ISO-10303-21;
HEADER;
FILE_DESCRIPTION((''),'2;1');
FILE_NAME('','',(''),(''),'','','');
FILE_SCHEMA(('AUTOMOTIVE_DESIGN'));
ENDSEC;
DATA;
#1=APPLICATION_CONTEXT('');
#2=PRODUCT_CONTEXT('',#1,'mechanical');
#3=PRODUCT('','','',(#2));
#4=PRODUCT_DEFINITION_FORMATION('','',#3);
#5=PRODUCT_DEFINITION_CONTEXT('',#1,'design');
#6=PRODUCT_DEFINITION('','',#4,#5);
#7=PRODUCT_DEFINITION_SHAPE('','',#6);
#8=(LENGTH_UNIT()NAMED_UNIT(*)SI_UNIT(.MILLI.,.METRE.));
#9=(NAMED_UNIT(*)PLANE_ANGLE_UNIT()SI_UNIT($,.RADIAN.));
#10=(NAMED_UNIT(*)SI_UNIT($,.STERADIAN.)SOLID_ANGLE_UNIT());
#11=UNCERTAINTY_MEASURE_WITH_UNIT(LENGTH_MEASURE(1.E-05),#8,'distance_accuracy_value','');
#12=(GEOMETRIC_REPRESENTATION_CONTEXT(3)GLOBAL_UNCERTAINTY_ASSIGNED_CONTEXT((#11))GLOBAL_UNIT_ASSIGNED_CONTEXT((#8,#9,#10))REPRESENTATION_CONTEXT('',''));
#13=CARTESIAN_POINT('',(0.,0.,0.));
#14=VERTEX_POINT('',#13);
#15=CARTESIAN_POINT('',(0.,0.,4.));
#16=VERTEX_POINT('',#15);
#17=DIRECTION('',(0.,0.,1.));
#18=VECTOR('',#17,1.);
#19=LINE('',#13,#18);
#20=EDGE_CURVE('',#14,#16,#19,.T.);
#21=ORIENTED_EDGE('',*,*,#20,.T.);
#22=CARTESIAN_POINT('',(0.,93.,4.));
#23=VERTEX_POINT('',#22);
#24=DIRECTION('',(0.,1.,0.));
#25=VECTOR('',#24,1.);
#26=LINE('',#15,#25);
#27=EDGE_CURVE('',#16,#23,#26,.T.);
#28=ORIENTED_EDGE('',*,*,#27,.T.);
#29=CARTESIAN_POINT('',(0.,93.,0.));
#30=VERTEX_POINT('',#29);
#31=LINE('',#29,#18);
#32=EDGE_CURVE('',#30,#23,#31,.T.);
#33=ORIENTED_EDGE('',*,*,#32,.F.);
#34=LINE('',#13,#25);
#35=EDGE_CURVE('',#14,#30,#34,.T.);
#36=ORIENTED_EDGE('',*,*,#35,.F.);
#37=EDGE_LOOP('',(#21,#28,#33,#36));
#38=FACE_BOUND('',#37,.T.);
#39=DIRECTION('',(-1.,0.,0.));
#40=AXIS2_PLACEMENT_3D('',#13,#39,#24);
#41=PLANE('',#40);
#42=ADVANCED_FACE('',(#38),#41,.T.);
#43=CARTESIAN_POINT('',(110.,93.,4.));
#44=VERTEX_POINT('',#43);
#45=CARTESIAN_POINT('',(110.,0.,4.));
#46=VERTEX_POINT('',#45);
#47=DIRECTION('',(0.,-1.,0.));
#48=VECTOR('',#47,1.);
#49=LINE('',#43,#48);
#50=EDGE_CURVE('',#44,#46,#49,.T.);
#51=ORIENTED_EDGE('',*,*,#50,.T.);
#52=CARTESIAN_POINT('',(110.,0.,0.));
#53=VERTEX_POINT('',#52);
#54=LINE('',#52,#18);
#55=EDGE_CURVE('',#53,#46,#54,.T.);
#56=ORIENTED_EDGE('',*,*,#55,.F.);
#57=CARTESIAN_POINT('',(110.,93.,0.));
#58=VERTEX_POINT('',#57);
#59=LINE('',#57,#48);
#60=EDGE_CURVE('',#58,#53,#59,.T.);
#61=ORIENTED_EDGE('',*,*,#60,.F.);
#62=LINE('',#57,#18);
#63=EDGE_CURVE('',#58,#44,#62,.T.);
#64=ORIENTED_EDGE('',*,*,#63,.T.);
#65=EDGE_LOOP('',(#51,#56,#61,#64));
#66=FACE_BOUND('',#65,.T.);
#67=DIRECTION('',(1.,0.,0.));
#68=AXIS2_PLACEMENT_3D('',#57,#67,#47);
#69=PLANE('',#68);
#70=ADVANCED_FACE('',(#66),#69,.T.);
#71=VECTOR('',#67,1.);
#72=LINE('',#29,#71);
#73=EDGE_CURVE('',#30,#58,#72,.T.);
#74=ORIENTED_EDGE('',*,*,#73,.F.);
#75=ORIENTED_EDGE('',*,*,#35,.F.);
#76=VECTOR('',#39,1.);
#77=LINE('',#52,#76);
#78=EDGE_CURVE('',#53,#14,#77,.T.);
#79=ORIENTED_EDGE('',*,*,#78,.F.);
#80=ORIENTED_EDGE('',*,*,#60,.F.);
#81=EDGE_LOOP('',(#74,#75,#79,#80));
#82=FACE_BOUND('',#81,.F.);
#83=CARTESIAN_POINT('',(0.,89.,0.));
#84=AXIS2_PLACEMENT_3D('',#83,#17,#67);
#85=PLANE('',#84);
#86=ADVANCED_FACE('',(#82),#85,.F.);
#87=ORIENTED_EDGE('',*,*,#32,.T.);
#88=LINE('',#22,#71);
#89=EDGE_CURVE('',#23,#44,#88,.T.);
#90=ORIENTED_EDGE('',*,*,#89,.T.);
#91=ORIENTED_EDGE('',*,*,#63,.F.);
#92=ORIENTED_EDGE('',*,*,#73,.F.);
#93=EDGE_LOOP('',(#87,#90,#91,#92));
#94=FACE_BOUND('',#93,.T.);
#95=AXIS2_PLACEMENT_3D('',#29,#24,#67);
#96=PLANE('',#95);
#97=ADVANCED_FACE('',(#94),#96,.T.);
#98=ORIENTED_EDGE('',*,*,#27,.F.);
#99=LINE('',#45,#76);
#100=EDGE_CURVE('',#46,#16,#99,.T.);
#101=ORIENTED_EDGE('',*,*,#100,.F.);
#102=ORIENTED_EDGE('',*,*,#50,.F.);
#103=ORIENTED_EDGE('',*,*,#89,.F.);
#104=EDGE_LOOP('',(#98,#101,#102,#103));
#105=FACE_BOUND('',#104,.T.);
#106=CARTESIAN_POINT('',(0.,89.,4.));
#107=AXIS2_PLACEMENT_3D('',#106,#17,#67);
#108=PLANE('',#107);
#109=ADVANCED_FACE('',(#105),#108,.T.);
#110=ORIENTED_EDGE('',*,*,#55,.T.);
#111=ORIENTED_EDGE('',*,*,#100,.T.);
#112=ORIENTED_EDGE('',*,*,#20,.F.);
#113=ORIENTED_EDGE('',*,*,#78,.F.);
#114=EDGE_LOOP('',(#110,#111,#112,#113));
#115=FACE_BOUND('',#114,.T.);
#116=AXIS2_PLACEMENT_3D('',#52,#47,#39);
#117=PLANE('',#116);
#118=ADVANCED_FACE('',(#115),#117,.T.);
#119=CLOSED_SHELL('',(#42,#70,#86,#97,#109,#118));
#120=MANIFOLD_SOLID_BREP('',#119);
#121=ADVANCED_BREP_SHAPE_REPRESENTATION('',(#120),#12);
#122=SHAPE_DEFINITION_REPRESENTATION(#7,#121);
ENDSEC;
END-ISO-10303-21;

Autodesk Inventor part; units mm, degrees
ref_plane "YZ Plane" through (0, 0, 0) normal (1, 0, 0) x (0, 1, 0)
ref_plane "XZ Plane" through (0, 0, 0) normal (0, 1, 0) x (-1, 0, 0)
ref_plane "XY Plane" through (0, 0, 0) normal (0, 0, 1) x (1, 0, 0)
ref_plane "Work Plane1" through (0, 89, 0) normal (0, 0, 1) x (1, 0, 0)
sketch "Sketch1" plane through (0, 89, 0) normal (0, 0, 1) x (1, 0, 0)
  line L0 (110, -89) -> (0, -89)
  line L1 (0, -89) -> (0, 4)
  line L2 (0, 4) -> (110, 4)
  line L3 (110, 4) -> (110, -89)
  point P0 (0, -89)
extrude "Extrusion1" add sketch "Sketch1" along normal blind 4
sketch "Sketch2" plane through (0, 89, 4) normal (0, 0, 1) x (1, 0, 0)
  line L0 (0, -89) -> (110, -89) projected
  line L1 (110, -89) -> (110, 4) projected
  line L2 (110, 4) -> (0, 4) projected
  line L3 (0, 4) -> (0, -89) projected
  line L4 (0, -20) -> (0, -10)
  line L5 (4, -10) -> (4, -20)
  line L6 (0, -75) -> (0, -65)
  line L7 (4, -65) -> (4, -75)
  line L8 (0, -65) -> (4, -65)
  line L9 (0, -75) -> (4, -75)
  line L10 (106, -75) -> (106, -65)
  line L11 (110, -65) -> (110, -75)
  line L12 (110, -10) -> (106, -10)
  line L13 (110, -20) -> (106, -20)
  line L14 (106, -20) -> (106, -10)
  line L15 (110, -10) -> (110, -20)
  line L16 (0, 4) -> (110, 4)
  line L17 (110, 4) -> (110, -89)
  line L18 (110, -89) -> (0, -89)
  line L19 (0, -89) -> (0, 4)
  line L20 (0, 4) -> (0, -89) projected
  line L21 (4, -20) -> (0, -20)
  line L22 (0, -20) -> (0, -10)
  line L23 (0, -10) -> (4, -10)
  line L24 (4, -10) -> (4, -20)
  line L25 (0, -75) -> (4, -75)
  line L26 (4, -75) -> (4, -65)
  line L27 (4, -65) -> (0, -65)
  line L28 (0, -65) -> (0, -75)
  line L29 (106, -65) -> (110, -65)
  line L30 (110, -65) -> (110, -75)
  line L31 (110, -75) -> (106, -75)
  line L32 (106, -75) -> (106, -65)
  line L33 (106, -10) -> (110, -10)
  line L34 (110, -10) -> (110, -20)
  line L35 (110, -20) -> (106, -20)
  line L36 (106, -20) -> (106, -10)
properties part number "tapa caja"
